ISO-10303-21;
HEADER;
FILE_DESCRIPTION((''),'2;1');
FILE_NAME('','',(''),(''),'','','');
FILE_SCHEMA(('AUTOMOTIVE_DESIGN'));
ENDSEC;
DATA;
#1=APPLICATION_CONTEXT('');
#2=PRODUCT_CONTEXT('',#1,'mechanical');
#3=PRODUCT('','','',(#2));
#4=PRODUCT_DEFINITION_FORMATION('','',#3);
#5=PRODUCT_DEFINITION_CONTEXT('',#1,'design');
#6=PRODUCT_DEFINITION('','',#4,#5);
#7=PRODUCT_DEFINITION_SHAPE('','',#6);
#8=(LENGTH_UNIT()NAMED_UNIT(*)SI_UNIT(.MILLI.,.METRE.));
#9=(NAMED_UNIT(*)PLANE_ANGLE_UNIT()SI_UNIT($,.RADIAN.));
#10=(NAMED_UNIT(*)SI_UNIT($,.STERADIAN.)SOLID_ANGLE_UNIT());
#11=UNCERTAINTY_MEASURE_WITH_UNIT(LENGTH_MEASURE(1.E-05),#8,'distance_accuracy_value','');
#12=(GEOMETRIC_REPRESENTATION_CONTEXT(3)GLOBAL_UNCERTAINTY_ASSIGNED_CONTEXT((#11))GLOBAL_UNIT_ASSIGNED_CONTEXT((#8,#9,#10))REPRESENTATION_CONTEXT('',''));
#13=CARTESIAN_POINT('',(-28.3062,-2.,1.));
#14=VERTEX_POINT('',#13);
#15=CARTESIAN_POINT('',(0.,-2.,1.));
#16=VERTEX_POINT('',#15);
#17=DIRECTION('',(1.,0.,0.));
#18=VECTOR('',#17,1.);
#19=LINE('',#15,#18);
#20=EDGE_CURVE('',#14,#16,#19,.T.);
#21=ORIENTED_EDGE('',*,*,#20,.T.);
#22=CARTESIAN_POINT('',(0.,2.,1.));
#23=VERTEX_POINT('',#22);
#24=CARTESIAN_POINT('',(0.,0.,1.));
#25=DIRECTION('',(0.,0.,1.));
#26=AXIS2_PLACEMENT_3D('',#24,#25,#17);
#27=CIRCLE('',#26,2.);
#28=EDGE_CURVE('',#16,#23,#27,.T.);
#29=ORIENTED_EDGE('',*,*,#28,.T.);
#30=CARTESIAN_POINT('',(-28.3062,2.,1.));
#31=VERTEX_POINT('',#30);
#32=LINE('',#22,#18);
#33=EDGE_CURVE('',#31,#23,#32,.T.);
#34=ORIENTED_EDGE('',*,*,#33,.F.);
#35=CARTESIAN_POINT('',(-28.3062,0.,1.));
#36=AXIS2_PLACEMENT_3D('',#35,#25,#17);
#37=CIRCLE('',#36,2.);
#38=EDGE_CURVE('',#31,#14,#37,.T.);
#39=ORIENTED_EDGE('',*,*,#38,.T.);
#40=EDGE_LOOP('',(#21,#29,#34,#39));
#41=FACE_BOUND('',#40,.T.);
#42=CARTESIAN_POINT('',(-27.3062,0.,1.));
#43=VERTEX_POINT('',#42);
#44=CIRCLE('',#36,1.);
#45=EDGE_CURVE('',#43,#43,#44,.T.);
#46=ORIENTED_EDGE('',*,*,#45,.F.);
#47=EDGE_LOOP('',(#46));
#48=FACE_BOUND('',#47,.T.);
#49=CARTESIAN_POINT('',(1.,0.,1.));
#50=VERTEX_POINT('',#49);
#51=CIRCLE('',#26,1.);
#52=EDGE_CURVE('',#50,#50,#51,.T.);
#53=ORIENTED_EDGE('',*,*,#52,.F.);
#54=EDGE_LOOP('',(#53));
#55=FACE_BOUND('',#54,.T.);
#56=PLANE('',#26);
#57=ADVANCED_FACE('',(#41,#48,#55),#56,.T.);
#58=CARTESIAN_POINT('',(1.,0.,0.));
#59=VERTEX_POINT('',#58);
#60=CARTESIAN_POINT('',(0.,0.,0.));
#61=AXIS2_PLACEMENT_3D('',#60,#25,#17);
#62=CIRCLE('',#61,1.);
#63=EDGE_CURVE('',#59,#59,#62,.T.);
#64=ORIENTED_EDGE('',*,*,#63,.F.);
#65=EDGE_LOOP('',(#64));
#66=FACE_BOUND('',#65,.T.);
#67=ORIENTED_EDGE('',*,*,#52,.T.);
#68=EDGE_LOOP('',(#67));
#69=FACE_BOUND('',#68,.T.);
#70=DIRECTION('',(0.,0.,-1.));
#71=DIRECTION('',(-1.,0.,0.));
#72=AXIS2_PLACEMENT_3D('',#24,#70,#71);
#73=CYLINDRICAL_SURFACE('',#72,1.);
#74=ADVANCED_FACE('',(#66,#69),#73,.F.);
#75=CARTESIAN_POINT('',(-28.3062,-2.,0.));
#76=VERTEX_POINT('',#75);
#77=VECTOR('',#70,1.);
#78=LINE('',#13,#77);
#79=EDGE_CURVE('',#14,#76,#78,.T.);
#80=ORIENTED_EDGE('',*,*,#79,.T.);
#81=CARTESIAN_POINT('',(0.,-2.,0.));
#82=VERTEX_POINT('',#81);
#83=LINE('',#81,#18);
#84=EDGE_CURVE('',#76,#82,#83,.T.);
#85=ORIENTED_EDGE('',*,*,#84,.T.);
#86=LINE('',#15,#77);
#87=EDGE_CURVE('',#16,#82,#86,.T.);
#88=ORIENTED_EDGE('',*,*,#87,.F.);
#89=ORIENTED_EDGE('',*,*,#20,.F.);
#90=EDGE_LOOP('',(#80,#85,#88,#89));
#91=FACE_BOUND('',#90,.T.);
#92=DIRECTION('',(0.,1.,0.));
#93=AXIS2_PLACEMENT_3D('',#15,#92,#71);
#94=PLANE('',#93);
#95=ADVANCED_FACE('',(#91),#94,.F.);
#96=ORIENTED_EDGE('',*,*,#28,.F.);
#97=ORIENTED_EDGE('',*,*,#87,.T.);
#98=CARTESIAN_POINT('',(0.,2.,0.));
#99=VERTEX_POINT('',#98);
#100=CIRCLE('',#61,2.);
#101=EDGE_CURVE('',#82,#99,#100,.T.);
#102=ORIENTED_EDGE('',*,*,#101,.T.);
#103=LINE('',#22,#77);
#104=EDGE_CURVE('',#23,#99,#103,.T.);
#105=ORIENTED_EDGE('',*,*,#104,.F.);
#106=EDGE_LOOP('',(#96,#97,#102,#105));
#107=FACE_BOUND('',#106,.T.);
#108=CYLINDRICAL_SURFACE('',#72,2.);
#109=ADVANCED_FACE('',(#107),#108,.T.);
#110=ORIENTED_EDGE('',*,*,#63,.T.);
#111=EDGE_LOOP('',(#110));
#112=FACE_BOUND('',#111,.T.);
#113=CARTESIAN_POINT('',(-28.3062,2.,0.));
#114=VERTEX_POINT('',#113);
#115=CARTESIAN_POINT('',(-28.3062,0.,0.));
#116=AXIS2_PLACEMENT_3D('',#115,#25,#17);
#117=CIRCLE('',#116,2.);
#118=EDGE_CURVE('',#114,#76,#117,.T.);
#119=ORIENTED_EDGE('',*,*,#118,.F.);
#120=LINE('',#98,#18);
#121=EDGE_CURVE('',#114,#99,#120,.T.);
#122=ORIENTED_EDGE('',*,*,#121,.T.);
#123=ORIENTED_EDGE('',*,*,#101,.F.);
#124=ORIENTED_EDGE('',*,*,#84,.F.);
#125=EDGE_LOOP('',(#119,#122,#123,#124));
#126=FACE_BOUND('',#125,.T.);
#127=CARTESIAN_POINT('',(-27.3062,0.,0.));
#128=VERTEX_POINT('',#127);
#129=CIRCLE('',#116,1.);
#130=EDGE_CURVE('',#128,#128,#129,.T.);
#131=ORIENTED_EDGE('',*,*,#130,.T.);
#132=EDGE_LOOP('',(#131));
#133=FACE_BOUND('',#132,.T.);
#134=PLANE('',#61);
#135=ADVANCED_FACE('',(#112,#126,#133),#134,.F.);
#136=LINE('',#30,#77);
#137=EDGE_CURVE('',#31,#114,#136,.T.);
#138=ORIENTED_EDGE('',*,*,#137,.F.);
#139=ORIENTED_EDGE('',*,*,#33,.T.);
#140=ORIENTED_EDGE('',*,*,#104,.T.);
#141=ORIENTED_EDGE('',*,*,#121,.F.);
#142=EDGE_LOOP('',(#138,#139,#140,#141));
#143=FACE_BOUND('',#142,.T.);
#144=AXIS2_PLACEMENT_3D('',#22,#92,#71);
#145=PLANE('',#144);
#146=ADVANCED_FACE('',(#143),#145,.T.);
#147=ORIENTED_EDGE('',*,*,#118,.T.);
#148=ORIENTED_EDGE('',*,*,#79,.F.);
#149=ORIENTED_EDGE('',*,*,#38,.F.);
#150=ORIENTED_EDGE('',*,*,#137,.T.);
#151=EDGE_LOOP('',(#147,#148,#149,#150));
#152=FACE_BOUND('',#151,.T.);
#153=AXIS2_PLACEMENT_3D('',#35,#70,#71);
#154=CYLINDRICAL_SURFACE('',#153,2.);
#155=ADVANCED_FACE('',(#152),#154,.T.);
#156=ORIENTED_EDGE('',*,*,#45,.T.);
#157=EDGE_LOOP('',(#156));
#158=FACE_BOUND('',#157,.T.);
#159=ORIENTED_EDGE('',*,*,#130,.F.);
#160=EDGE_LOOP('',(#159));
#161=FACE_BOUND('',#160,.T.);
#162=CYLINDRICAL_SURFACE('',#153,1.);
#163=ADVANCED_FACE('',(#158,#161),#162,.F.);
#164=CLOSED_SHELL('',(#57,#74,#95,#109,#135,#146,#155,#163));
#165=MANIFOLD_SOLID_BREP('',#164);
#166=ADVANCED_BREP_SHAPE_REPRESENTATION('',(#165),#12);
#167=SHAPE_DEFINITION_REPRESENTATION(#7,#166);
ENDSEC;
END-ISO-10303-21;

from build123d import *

# Parameters (mm, degrees)
SKETCH1_R      = 1
EXTRUDE1_DEPTH = 1


with BuildPart() as part:
    # Sketch1 → Extrude1 (new body)
    with BuildSketch(Plane.XY):
        with BuildLine():
            Line((0, 2), (-28.3062, 2))
            ThreePointArc((-28.3062, 2), (-30.3062, 0), (-28.3062, -2))
            Line((-28.3062, -2), (0, -2))
            ThreePointArc((0, -2), (2, 0), (0, 2))
        make_face()
        with Locations((-28.3062, 0)):
            Circle(SKETCH1_R, mode=Mode.SUBTRACT)
        Circle(SKETCH1_R, mode=Mode.SUBTRACT)
    extrude(amount=EXTRUDE1_DEPTH)


solid = part.part
